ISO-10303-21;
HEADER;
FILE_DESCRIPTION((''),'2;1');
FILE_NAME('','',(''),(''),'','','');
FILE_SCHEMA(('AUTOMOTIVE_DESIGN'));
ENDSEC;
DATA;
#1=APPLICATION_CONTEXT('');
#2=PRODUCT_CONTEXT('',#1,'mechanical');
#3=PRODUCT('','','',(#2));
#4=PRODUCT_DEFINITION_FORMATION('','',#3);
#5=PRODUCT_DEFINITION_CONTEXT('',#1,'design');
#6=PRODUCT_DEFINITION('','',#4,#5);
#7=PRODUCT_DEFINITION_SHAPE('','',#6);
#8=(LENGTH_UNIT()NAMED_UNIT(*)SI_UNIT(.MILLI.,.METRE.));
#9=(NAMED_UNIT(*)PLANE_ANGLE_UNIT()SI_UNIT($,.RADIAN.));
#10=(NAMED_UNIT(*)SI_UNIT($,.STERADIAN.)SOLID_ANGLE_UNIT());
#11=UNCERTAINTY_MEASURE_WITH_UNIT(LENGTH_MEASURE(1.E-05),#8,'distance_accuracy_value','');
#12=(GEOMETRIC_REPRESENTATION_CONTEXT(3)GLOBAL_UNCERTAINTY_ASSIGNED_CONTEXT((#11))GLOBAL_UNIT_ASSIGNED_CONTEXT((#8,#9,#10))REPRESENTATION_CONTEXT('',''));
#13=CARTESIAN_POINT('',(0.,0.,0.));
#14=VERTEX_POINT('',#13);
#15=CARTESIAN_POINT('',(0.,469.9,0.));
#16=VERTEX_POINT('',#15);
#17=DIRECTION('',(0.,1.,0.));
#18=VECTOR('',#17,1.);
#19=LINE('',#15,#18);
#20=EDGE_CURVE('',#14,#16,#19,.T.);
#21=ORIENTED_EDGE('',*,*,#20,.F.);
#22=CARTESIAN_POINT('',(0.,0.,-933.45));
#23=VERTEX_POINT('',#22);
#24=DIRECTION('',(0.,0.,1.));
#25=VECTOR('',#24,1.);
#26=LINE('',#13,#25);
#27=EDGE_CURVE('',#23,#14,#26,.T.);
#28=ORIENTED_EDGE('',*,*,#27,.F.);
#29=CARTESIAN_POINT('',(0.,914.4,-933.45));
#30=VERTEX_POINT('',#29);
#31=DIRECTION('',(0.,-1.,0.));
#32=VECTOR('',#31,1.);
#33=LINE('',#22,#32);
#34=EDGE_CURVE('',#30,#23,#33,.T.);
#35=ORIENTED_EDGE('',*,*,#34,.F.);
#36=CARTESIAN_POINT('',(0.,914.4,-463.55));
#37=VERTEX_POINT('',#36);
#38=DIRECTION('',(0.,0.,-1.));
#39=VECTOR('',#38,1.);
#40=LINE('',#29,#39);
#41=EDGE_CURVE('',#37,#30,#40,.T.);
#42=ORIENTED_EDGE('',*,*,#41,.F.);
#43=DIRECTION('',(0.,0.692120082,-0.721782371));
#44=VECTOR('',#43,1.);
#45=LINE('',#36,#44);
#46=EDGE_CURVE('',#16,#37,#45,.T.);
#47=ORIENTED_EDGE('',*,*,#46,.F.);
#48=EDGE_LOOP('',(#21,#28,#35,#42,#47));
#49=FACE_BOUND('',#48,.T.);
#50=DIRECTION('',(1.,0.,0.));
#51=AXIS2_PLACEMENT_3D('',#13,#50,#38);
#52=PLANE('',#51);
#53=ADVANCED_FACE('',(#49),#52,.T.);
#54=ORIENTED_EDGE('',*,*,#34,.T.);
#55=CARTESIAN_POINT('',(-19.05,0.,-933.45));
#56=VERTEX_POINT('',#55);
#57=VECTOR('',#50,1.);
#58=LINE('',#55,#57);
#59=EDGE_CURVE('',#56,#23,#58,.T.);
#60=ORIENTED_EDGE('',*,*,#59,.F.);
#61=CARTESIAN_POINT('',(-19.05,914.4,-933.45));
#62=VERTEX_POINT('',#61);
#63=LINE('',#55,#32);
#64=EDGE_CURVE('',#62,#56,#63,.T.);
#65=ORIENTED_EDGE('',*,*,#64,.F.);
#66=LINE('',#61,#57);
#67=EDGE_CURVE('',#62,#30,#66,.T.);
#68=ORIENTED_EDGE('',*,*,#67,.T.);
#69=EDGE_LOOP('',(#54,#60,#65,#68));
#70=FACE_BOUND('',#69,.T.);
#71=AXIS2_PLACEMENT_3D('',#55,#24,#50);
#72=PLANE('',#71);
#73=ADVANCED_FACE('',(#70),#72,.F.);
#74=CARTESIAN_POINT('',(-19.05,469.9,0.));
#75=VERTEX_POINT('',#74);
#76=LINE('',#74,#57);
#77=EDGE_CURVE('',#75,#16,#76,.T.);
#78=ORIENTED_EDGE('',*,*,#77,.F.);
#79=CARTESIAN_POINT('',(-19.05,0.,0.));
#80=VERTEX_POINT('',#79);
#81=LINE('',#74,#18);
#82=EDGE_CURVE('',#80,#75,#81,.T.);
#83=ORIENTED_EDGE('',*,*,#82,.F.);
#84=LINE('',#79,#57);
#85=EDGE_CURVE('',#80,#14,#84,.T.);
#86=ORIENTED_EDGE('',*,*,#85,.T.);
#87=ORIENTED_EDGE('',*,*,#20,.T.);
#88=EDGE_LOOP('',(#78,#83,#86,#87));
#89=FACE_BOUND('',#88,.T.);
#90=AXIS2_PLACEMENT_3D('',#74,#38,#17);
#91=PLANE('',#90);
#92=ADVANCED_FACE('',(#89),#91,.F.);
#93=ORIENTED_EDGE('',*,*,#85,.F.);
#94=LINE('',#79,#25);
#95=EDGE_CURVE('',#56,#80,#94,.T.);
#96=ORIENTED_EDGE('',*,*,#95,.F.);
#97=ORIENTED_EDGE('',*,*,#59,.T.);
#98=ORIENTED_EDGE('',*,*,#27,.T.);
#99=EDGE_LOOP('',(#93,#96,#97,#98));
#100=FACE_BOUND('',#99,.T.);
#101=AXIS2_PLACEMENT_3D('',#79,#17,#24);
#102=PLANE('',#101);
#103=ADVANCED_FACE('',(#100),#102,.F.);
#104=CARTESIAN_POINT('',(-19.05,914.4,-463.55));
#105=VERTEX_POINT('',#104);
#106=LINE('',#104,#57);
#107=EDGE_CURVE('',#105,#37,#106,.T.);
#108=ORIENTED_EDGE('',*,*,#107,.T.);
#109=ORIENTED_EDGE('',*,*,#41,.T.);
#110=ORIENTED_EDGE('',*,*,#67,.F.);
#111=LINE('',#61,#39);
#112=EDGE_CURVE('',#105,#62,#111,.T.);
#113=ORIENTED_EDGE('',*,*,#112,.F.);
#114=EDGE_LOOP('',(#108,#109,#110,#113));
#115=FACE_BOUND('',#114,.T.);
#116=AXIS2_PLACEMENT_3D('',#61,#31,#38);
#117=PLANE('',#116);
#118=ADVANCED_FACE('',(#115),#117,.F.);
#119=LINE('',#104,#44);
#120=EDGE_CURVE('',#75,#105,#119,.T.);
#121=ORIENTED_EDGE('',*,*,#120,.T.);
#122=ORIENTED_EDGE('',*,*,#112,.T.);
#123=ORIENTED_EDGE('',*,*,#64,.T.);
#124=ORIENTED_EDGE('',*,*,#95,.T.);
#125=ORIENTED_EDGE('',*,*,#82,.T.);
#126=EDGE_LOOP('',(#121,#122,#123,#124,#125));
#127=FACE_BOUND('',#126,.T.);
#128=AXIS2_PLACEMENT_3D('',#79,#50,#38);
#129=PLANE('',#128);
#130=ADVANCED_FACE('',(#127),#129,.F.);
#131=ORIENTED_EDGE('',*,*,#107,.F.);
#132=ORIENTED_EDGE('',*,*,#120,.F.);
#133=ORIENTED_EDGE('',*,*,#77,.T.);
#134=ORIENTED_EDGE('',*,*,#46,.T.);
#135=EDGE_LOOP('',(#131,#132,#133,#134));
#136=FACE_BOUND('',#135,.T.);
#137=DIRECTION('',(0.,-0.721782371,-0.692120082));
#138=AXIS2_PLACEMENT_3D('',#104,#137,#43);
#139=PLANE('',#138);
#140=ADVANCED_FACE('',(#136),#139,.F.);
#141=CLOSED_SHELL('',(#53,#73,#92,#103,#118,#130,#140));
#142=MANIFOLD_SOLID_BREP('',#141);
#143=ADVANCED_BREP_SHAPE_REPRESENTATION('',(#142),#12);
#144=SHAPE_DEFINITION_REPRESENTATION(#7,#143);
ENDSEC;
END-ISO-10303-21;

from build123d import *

# Parameters (mm, degrees)
BOSS_EXTRUDE1_DEPTH = 19.05


with BuildPart() as part:
    # Sketch2 → Boss-Extrude1 (new body)
    with BuildSketch(Plane.ZY):
        Polygon((0, 0), (-933.45, 0), (-933.45, 914.4), (-463.55, 914.4), (0, 469.9), align=None)
    extrude(amount=BOSS_EXTRUDE1_DEPTH)


solid = part.part
